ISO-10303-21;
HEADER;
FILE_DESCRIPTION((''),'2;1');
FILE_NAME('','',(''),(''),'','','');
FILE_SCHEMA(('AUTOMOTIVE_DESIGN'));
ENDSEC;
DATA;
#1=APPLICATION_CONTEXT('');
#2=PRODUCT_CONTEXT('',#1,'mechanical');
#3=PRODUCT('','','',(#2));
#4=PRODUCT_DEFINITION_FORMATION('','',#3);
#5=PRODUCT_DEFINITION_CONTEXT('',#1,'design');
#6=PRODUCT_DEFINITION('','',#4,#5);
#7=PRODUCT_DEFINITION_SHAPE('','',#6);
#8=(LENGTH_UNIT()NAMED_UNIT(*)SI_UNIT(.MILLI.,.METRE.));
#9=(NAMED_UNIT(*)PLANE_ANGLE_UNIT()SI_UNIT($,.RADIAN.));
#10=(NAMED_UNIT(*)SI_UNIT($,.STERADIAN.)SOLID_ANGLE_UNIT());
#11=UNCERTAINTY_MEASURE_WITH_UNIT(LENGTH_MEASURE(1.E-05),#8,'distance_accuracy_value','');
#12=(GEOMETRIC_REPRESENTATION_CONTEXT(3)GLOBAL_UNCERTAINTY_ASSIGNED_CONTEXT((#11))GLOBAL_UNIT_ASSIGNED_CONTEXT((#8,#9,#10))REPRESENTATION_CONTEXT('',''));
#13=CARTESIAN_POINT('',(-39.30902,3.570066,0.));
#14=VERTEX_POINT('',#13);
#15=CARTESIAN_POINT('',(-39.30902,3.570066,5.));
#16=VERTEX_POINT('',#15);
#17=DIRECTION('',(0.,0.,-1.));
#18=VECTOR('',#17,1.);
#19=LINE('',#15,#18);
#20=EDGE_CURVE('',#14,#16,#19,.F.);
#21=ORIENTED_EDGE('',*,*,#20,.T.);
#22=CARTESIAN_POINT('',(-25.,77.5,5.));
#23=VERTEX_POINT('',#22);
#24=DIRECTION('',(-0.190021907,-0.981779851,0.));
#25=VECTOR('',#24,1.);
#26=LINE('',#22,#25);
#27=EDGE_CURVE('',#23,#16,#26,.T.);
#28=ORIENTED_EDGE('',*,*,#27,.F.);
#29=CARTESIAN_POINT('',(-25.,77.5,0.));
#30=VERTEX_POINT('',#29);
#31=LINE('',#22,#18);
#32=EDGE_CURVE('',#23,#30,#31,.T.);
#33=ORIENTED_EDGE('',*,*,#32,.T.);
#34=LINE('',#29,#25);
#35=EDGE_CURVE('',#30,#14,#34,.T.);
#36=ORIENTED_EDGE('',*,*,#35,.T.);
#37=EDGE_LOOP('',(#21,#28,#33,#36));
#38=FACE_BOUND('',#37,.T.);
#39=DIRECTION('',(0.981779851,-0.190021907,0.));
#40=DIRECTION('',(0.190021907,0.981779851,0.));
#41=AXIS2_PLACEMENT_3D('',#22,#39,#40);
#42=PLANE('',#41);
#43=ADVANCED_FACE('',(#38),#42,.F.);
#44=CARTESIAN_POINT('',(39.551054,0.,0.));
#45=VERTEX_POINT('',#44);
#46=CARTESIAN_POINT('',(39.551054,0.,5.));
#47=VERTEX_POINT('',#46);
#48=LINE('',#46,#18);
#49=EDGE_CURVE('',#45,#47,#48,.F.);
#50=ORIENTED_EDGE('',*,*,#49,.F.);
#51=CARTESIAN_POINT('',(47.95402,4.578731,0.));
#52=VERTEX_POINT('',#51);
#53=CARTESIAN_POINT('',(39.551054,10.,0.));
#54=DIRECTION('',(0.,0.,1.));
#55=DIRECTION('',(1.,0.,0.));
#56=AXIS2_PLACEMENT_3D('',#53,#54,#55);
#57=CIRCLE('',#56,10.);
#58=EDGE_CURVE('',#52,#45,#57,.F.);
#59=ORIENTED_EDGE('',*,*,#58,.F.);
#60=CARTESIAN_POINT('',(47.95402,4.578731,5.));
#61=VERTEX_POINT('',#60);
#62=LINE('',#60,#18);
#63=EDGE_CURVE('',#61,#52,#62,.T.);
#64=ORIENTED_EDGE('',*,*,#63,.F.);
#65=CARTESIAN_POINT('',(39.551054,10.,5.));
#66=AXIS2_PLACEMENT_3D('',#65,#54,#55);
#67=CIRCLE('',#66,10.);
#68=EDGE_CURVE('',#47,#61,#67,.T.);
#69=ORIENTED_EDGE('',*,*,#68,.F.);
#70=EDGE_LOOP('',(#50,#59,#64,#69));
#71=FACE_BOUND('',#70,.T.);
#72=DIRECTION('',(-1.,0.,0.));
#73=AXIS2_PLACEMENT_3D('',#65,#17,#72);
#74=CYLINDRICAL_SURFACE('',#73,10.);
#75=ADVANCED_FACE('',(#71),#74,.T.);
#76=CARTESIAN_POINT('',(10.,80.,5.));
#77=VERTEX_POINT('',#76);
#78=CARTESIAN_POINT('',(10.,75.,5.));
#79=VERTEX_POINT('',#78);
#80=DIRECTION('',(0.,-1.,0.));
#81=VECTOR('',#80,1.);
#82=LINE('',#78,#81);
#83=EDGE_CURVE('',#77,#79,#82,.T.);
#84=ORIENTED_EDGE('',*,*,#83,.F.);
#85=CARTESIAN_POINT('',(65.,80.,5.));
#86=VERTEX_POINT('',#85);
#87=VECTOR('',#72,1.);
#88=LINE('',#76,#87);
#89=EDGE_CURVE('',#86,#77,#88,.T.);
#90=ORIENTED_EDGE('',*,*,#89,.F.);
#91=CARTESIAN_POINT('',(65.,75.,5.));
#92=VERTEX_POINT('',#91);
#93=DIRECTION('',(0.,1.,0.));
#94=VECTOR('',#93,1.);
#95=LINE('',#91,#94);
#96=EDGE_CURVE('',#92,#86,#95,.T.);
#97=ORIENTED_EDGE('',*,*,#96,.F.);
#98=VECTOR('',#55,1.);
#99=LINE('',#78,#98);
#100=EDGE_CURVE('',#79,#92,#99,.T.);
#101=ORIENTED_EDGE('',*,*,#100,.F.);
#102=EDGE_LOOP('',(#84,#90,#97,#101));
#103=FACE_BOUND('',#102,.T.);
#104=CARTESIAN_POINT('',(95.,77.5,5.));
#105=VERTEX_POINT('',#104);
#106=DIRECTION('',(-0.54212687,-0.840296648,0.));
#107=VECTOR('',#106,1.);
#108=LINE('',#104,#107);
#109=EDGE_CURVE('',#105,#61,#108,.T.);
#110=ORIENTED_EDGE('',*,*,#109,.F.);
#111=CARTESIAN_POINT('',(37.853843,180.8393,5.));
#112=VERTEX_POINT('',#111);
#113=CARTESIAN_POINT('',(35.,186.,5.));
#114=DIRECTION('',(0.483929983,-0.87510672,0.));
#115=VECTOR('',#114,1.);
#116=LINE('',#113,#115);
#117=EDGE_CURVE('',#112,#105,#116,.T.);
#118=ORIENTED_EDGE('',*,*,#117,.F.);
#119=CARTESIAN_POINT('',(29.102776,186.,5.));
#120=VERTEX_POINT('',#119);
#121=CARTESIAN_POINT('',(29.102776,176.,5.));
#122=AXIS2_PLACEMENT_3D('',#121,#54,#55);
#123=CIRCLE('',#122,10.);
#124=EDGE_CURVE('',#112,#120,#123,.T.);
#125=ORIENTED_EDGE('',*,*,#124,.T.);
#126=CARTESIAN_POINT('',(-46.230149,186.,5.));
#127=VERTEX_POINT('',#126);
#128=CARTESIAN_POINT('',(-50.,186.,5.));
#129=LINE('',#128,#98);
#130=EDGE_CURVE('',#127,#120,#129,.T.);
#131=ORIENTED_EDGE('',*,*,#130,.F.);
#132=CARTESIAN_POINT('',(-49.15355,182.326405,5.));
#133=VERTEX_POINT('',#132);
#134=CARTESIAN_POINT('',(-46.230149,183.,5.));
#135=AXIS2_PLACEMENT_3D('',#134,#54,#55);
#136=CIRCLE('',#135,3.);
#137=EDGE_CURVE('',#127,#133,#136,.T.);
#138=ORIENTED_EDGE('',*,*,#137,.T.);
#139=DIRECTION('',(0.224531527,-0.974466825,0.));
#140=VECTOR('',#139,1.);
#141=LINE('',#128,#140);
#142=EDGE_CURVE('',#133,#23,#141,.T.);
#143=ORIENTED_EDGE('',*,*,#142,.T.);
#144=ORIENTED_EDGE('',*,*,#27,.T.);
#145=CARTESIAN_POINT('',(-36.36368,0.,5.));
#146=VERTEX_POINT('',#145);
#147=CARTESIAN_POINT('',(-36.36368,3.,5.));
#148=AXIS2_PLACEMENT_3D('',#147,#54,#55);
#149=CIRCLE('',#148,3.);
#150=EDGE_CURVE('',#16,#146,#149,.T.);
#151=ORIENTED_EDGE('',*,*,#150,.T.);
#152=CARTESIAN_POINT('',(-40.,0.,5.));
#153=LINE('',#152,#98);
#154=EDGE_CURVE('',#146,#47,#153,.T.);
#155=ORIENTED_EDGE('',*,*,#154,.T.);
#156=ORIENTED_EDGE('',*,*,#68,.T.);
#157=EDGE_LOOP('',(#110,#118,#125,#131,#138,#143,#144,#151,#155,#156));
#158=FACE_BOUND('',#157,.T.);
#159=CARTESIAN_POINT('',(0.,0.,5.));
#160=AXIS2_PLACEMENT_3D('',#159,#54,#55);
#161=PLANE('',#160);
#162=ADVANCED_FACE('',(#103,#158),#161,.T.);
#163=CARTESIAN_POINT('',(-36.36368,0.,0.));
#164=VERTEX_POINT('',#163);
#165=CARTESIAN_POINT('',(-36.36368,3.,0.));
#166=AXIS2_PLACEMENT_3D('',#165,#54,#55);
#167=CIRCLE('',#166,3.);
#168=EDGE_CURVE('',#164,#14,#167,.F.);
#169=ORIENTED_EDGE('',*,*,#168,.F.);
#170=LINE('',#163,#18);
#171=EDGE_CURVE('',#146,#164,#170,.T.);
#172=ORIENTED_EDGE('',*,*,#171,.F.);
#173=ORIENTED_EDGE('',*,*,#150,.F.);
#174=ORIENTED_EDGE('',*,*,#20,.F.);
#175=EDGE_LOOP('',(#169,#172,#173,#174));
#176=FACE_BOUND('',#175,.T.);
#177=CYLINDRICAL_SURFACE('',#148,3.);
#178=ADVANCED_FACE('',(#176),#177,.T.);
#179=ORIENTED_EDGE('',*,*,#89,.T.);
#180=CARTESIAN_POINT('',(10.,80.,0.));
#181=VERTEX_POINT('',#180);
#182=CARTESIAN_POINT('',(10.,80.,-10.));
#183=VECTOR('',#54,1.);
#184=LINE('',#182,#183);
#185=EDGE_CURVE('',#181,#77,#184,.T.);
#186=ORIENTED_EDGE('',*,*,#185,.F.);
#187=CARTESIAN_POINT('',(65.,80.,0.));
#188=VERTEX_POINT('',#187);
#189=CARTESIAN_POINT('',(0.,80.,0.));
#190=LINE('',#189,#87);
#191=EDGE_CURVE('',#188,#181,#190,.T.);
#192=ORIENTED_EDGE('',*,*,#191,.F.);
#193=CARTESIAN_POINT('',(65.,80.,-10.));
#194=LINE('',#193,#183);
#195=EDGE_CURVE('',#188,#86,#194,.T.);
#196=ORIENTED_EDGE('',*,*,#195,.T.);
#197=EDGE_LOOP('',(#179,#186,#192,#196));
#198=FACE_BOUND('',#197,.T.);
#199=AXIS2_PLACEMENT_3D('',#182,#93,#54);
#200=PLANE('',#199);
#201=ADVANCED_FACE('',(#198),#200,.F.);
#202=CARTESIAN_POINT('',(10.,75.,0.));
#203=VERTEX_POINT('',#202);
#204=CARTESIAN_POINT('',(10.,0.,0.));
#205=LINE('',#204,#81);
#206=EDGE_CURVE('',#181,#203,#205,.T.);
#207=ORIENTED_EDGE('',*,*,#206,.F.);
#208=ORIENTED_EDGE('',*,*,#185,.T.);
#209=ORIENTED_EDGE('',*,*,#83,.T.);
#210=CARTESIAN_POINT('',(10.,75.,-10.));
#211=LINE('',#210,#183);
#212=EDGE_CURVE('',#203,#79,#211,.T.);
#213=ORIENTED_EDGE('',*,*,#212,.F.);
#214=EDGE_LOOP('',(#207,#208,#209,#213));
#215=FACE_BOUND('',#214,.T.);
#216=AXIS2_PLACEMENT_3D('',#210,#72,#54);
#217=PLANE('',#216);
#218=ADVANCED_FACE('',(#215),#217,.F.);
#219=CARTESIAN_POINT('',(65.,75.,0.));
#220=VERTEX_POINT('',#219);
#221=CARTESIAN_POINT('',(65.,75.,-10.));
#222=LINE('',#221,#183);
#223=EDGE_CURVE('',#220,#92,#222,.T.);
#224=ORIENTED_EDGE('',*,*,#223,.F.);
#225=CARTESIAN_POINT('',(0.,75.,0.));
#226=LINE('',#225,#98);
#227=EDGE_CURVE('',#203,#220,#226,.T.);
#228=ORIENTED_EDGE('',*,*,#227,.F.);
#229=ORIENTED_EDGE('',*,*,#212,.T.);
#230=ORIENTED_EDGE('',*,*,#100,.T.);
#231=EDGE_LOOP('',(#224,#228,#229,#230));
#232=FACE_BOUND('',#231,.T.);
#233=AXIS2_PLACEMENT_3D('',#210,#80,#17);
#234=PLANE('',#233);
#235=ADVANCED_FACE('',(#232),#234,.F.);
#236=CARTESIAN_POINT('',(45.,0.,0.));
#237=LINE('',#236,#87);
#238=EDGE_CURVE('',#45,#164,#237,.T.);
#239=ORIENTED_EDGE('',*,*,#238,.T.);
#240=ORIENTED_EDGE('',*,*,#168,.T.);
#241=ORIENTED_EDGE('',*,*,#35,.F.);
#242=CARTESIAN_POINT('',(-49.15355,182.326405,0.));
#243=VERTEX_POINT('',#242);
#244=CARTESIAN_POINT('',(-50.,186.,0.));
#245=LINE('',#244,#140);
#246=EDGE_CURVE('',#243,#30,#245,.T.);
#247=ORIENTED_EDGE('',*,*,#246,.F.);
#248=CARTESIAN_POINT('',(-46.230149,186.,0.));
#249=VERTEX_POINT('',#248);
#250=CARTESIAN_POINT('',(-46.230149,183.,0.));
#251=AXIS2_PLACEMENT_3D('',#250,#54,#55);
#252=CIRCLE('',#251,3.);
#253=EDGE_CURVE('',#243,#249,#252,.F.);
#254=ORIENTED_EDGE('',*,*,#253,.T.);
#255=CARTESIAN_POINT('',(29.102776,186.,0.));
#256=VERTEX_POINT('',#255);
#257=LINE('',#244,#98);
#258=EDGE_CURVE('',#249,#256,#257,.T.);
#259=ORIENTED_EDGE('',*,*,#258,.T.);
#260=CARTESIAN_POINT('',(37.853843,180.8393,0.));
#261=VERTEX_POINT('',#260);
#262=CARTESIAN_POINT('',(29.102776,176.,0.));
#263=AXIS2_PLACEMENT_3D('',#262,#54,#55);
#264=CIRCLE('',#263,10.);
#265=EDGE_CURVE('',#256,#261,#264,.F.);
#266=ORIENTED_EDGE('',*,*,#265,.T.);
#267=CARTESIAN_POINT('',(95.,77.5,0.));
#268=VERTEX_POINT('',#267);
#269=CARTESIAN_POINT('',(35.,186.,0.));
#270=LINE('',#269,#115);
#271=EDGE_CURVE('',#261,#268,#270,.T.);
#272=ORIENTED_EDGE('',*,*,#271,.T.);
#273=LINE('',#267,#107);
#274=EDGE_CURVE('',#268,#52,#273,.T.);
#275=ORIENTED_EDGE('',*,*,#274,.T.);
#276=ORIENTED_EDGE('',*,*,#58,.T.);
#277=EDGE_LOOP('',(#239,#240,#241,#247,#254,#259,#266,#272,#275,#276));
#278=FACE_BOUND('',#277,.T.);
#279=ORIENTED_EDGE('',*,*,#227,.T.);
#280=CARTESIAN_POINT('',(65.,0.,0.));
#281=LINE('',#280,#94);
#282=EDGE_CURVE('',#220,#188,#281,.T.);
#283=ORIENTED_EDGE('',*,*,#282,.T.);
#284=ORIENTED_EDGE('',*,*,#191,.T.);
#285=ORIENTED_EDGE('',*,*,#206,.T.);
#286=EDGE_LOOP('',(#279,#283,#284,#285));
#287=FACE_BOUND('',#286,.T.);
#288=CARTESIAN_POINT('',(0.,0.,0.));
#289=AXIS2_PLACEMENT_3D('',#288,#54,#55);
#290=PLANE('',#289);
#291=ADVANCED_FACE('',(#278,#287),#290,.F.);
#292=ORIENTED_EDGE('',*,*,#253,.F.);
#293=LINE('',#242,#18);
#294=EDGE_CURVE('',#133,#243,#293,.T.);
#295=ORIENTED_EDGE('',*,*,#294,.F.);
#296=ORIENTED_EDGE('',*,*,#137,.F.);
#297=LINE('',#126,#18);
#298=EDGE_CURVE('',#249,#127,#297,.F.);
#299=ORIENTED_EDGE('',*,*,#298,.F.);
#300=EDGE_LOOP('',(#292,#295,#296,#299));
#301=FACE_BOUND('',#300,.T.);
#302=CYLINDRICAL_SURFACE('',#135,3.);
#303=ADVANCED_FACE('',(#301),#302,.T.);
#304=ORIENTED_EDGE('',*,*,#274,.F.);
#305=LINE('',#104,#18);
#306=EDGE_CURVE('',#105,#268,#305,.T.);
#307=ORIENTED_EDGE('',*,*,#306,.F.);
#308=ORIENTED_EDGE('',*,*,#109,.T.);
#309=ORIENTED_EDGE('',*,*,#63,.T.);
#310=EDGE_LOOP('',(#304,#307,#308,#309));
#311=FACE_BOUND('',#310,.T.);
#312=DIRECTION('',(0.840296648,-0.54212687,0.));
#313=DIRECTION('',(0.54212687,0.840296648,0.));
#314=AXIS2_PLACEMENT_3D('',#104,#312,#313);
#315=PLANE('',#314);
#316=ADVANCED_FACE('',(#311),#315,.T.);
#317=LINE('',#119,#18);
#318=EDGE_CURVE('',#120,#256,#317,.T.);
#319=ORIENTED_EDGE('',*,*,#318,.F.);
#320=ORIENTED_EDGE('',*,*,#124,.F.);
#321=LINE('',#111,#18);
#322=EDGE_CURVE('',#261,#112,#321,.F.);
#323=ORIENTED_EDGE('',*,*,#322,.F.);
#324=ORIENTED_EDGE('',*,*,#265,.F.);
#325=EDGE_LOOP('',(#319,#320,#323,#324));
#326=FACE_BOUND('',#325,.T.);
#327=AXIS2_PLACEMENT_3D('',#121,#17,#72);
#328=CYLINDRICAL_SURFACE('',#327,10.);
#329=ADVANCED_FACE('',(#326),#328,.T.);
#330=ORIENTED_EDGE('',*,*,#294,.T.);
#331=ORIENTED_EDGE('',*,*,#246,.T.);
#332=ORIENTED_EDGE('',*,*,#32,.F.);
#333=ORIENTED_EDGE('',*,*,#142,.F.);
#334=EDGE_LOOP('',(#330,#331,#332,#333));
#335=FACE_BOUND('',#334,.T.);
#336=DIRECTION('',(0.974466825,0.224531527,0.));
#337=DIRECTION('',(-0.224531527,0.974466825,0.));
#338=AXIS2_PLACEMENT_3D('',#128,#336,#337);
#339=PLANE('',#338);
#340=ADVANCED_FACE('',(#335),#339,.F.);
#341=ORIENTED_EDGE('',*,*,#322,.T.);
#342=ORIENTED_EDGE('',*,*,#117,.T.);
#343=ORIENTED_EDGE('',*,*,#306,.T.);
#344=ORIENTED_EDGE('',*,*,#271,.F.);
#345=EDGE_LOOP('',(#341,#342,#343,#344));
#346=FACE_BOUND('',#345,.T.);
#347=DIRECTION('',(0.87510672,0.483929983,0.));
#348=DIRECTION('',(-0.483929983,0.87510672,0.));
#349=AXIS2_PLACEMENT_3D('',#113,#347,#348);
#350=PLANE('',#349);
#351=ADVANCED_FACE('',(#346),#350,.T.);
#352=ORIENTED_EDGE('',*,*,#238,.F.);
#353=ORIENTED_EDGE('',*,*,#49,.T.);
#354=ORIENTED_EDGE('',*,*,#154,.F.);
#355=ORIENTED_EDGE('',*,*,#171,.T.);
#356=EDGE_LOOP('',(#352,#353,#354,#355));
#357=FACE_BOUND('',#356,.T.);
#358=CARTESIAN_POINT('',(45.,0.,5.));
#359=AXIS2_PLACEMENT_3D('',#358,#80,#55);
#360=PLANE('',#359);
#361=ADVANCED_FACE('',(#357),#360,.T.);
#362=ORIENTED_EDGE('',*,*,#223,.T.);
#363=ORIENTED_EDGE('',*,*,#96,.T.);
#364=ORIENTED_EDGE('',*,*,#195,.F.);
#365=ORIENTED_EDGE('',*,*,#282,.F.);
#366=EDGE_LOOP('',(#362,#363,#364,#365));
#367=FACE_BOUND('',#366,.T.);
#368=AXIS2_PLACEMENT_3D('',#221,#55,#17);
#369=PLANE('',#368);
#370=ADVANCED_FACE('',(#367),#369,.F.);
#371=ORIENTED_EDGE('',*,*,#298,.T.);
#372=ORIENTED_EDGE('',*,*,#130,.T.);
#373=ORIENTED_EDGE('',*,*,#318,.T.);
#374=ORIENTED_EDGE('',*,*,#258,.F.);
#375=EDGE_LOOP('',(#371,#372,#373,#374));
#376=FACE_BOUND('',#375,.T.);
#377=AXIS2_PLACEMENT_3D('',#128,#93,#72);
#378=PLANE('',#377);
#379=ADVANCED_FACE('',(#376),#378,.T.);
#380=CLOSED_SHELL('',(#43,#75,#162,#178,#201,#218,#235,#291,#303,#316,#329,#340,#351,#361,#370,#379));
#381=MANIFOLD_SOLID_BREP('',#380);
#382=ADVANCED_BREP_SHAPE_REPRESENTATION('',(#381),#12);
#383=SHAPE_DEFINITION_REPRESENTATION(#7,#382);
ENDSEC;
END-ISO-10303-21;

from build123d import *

# Parameters (mm, degrees)
GRUNDPLATTE_DEPTH      = 5
SKIZZE2_W              = 55
SKIZZE2_H              = 5
NUTH_HENLEITWERK_DEPTH = 15
VERRUNDUNG1_R          = 10
VERRUNDUNG2_R          = 3


with BuildPart() as part:
    # Skizze1 → Grundplatte (new body)
    with BuildSketch(Plane.XY):
        Polygon((-50, 186), (35, 186), (95, 77.5), (45, 0), (0, 0), (-40, 0), (-25, 77.5), align=None)
    extrude(amount=GRUNDPLATTE_DEPTH)

    # Skizze2 → NutHöhenleitwerk (cut)
    with BuildSketch(Plane.XY.offset(5)):
        with Locations((37.5, 77.5)):
            Rectangle(SKIZZE2_W, SKIZZE2_H)
    extrude(amount=-NUTH_HENLEITWERK_DEPTH, mode=Mode.SUBTRACT)

    # Verrundung1
    verrundung1_edges = [part.edges().sort_by_distance(p)[0] for p in [
        (35, 186, 2.5),
        (45, 0, 2.5),
    ]]
    fillet(verrundung1_edges, radius=VERRUNDUNG1_R)

    # Verrundung2
    verrundung2_edges = [part.edges().sort_by_distance(p)[0] for p in [
        (-50, 186, 2.5),
        (-40, 0, 2.5),
    ]]
    fillet(verrundung2_edges, radius=VERRUNDUNG2_R)


solid = part.part
